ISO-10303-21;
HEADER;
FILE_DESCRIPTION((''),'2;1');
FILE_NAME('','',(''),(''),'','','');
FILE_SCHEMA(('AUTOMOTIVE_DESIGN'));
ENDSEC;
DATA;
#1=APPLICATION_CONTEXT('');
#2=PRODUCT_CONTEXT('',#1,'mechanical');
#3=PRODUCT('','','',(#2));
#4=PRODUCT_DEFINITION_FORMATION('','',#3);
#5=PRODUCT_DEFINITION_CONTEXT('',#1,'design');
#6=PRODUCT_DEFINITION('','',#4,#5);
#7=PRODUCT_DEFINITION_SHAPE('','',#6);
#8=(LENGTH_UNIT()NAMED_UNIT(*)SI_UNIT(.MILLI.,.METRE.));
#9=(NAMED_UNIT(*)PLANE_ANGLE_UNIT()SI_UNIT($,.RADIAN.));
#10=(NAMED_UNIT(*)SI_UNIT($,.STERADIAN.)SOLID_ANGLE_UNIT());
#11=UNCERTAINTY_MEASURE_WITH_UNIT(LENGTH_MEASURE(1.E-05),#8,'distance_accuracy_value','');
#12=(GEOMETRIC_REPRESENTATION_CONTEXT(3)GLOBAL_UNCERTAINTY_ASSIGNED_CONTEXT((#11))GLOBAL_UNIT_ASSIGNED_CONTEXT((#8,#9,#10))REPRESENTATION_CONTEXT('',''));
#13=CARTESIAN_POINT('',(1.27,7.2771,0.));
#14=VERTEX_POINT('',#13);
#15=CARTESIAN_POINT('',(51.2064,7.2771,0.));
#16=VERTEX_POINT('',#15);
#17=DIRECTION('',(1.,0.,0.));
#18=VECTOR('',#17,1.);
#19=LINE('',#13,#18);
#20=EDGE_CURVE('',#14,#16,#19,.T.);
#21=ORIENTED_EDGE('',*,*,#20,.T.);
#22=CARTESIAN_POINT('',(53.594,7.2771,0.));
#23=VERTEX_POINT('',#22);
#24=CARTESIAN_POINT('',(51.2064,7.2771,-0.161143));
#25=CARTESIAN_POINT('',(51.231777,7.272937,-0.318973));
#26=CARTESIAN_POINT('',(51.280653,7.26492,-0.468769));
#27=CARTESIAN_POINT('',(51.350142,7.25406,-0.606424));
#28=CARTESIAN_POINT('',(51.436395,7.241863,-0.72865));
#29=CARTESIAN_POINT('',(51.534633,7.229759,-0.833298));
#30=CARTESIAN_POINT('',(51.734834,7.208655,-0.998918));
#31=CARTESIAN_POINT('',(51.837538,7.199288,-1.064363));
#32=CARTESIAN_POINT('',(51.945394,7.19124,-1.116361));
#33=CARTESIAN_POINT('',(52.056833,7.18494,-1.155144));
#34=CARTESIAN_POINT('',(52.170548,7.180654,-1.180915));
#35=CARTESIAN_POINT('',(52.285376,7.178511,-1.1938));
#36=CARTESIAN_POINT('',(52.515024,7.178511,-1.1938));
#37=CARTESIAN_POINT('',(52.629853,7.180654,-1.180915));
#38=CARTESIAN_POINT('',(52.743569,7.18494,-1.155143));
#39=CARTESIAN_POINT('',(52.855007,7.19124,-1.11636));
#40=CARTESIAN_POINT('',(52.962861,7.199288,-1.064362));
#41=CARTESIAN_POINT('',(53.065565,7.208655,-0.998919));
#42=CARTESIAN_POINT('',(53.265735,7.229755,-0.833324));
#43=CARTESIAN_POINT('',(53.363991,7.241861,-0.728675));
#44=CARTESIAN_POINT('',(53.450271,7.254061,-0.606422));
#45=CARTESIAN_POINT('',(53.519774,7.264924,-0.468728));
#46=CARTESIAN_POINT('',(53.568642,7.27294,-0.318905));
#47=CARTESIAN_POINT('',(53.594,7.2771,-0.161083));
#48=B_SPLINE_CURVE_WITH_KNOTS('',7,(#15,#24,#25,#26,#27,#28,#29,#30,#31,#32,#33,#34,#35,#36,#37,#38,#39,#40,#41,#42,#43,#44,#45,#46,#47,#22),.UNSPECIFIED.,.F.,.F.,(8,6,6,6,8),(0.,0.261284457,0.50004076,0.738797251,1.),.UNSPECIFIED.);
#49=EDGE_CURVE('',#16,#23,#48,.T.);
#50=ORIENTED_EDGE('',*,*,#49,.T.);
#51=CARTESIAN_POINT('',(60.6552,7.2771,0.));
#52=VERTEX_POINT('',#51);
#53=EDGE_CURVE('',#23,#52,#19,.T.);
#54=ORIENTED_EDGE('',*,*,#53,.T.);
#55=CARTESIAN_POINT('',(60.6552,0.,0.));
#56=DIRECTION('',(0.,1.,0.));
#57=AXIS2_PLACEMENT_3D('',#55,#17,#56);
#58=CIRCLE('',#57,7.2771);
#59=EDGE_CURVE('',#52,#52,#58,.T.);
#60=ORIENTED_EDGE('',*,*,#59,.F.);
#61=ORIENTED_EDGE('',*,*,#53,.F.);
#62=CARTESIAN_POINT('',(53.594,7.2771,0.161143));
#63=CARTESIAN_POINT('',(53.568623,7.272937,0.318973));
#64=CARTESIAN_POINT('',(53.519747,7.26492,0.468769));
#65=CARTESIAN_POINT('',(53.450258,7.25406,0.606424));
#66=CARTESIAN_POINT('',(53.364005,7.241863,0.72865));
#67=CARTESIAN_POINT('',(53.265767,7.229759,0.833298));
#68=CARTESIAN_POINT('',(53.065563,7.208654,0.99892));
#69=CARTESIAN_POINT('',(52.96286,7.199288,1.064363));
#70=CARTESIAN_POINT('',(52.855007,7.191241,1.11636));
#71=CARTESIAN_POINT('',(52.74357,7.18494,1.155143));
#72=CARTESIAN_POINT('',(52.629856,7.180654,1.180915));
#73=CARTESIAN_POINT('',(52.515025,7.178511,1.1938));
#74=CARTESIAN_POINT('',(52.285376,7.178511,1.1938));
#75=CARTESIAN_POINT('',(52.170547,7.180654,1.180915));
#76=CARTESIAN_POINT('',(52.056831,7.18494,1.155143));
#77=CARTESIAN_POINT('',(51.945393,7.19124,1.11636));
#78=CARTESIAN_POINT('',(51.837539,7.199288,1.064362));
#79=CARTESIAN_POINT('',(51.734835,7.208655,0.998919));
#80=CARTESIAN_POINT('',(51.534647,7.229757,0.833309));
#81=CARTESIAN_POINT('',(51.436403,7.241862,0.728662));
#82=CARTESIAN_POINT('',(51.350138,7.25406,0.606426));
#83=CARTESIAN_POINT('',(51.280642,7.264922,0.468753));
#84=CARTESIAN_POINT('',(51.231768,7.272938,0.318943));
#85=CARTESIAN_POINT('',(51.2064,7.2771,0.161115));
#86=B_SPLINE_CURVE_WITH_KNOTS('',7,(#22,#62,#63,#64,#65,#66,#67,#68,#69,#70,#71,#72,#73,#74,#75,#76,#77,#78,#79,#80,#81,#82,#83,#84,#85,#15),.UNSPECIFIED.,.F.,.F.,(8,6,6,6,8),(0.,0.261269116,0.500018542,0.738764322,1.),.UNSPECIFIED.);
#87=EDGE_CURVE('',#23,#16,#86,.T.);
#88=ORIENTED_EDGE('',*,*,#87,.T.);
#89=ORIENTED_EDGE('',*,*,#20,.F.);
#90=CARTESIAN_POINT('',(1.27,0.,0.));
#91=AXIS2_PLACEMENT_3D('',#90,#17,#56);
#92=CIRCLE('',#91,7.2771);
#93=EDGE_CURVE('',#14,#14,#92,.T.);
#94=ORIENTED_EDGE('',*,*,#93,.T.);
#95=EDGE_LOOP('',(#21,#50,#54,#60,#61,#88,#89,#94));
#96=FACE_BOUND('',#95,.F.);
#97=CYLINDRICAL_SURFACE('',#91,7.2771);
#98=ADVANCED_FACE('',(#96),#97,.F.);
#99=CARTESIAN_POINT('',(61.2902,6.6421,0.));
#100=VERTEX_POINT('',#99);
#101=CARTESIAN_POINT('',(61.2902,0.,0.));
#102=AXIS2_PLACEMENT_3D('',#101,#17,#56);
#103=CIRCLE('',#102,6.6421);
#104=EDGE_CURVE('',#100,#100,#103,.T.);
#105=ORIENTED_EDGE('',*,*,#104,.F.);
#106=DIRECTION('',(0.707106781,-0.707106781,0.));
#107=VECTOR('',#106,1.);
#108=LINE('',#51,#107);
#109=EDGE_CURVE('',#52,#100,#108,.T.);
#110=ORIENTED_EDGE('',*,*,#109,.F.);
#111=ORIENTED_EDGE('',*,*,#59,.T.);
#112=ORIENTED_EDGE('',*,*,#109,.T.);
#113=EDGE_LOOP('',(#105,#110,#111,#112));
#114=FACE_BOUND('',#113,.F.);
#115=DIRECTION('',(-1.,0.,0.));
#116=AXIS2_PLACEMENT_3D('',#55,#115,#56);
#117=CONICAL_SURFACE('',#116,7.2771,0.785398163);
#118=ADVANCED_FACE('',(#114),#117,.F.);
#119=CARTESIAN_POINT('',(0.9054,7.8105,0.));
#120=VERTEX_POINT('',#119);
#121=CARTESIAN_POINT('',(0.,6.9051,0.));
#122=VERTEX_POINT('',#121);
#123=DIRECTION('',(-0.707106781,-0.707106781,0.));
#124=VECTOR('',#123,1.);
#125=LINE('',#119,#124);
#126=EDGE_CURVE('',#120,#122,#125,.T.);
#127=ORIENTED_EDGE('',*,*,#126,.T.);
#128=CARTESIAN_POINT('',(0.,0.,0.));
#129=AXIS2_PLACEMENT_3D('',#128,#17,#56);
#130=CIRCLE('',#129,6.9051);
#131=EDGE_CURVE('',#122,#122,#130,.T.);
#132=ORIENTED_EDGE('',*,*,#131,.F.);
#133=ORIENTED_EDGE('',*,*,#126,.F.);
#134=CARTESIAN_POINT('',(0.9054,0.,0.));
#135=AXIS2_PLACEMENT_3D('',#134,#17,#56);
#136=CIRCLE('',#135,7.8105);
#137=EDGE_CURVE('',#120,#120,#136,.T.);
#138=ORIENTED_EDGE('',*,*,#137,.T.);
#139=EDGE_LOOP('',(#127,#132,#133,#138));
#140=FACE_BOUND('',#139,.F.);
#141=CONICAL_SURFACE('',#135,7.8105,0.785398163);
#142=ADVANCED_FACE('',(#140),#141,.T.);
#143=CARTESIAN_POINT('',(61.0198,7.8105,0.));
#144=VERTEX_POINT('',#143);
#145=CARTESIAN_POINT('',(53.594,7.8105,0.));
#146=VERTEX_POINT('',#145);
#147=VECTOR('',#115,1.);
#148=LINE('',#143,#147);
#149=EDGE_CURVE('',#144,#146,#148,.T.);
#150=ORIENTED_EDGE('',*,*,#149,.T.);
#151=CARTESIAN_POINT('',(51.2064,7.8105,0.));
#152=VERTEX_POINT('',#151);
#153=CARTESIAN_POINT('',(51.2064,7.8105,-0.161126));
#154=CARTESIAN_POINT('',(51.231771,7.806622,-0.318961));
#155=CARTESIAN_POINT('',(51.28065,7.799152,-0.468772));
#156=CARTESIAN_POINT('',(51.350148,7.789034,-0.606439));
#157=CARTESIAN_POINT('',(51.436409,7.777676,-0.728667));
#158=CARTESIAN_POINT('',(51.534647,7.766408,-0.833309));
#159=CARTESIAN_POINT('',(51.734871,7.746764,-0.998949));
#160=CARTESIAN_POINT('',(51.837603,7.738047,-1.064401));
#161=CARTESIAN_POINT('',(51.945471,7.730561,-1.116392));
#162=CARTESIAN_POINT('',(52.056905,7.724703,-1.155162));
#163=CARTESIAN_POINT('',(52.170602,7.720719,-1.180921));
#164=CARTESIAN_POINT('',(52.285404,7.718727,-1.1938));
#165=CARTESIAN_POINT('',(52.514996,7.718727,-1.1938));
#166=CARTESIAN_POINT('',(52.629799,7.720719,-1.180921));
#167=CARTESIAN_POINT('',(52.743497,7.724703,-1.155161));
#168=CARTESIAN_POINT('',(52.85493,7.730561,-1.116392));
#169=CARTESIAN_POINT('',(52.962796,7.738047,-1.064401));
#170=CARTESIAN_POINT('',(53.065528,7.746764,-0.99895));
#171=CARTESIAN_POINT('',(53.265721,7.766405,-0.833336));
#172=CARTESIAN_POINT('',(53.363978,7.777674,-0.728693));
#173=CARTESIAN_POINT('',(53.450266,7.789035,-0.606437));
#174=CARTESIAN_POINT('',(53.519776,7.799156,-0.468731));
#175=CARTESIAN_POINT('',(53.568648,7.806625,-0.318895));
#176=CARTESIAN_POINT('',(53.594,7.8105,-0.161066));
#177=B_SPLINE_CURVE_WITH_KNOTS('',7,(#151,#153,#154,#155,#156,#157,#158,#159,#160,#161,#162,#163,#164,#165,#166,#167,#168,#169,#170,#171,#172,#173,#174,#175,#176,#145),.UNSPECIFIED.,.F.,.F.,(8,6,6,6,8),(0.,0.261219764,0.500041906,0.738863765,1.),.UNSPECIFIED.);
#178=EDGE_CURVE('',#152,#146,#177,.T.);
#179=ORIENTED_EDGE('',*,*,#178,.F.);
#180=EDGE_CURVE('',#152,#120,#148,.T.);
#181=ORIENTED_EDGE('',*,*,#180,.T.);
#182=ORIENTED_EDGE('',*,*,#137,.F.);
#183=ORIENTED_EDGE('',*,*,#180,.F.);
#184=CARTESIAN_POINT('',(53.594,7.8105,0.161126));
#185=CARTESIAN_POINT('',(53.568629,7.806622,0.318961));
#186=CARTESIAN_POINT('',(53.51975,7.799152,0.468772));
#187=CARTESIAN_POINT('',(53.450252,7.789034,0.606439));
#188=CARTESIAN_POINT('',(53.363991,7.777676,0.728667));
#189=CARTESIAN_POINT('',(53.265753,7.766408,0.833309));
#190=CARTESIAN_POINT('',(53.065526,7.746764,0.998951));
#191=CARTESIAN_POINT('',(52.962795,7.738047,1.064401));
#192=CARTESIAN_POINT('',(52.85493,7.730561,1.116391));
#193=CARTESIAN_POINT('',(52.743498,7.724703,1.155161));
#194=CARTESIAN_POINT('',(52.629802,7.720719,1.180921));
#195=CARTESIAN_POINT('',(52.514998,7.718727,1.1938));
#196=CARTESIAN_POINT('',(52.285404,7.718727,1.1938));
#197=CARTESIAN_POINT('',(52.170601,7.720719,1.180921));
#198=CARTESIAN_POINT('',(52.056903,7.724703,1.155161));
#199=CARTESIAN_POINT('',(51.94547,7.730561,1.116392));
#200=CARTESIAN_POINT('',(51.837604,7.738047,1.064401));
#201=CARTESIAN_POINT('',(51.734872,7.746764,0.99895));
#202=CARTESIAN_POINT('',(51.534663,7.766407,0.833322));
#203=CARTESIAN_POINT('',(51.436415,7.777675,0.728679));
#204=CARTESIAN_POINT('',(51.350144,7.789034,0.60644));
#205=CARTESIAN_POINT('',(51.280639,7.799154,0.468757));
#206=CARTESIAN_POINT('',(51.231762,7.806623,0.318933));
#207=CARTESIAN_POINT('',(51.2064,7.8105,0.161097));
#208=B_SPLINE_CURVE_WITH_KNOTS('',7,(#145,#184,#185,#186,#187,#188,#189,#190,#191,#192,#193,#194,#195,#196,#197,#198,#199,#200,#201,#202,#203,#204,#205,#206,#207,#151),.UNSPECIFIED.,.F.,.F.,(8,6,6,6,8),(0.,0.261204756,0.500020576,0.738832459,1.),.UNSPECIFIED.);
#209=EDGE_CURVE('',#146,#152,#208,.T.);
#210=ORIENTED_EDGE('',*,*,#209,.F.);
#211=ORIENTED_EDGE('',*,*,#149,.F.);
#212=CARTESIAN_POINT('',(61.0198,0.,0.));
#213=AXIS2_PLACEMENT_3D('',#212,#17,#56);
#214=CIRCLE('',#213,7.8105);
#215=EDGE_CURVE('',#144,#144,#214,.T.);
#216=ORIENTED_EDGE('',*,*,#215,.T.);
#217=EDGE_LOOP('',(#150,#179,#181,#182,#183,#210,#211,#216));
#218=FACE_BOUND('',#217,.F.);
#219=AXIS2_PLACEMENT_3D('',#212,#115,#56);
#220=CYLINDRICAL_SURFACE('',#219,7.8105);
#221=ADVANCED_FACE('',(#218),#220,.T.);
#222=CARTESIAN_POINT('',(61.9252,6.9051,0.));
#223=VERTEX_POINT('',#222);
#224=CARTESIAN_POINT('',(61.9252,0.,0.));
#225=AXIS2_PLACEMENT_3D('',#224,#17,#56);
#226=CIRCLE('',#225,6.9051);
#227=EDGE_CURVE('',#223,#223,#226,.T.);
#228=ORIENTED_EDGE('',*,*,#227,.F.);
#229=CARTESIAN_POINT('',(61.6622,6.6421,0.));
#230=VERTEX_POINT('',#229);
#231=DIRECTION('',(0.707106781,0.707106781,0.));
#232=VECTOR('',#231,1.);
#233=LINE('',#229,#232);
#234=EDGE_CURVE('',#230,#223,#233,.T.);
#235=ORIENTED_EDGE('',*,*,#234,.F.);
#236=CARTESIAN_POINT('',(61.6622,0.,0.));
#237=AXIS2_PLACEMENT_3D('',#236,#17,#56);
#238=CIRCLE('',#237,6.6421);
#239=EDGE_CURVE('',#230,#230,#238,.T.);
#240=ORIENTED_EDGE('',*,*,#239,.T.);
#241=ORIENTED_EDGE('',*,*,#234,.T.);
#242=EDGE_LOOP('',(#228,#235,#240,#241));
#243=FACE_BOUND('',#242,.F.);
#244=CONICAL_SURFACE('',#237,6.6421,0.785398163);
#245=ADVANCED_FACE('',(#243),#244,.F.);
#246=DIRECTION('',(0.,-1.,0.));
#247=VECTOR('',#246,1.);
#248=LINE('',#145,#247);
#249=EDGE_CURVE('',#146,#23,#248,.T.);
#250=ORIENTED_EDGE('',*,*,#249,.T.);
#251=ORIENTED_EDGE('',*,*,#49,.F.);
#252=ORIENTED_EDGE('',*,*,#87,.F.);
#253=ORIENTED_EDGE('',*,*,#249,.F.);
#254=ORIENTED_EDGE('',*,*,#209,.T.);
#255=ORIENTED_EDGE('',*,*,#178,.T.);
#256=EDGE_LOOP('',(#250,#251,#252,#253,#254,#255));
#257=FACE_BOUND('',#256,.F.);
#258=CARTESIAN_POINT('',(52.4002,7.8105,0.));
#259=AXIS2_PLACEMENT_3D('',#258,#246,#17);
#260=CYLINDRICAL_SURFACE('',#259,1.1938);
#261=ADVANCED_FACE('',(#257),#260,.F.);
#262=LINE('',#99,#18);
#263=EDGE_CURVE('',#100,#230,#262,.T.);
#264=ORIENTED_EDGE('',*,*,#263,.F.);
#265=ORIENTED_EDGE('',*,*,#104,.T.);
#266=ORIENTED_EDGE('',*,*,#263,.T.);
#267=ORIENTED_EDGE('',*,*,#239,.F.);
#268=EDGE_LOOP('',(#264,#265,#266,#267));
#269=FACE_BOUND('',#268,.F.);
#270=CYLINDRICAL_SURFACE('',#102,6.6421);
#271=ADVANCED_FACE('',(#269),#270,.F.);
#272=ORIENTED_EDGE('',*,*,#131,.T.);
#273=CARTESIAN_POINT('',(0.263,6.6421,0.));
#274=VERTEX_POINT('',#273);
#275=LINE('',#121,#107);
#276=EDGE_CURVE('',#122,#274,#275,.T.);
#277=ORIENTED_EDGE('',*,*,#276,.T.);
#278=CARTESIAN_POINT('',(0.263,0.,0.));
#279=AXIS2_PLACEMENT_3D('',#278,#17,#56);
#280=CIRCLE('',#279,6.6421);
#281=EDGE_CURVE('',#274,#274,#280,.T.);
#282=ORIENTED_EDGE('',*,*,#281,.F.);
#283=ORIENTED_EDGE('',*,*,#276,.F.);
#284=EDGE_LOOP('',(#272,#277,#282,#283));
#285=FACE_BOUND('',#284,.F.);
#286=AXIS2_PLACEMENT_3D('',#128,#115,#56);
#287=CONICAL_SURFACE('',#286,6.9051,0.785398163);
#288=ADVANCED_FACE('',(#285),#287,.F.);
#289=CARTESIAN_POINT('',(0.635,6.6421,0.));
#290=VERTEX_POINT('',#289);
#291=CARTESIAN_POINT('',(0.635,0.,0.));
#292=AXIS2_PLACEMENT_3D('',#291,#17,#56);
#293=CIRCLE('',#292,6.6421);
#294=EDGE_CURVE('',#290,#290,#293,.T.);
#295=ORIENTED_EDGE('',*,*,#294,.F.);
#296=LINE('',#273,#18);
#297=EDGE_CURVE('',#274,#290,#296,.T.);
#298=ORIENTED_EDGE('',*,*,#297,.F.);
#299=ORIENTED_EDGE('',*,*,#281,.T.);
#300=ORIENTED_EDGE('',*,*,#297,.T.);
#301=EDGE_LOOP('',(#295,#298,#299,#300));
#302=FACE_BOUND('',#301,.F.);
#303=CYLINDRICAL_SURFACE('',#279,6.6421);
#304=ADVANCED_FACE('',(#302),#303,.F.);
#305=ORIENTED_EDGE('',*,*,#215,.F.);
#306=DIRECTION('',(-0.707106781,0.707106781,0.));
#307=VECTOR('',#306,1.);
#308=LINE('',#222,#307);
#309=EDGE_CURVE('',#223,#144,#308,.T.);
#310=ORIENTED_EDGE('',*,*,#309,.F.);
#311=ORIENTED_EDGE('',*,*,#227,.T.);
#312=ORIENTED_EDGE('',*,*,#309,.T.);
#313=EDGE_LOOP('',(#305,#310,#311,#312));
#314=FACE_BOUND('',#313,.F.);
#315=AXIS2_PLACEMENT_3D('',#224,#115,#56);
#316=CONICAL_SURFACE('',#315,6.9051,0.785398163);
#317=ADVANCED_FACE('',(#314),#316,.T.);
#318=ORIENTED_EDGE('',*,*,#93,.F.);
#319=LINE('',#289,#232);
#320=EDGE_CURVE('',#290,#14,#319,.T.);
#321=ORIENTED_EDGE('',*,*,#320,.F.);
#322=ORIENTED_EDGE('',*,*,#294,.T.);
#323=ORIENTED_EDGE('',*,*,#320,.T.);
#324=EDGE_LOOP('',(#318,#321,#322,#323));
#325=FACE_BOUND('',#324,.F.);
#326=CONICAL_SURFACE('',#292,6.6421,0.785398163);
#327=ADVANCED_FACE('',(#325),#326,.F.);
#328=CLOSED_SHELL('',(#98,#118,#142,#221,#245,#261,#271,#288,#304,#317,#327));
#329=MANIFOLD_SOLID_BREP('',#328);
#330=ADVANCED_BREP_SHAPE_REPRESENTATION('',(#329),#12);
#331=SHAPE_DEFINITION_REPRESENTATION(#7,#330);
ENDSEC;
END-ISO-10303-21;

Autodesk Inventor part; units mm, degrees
sketch "Sketch_5" plane through (0, 0, 0) normal (0, 0, 1) x (1, 0, 0)
  line L0 (61.9252, 0) -> (-61.9252, 0)
  line L1 (0, 6.9051) -> (0.263, 6.6421)
  line L2 (0.263, 6.6421) -> (0.635, 6.6421)
  line L3 (0.635, 6.6421) -> (1.27, 7.2771)
  line L4 (1.27, 7.2771) -> (60.6552, 7.2771)
  line L5 (60.6552, 7.2771) -> (61.2902, 6.6421)
  line L6 (61.2902, 6.6421) -> (61.6622, 6.6421)
  line L7 (61.6622, 6.6421) -> (61.9252, 6.9051)
  line L8 (61.9252, 6.9051) -> (61.0198, 7.8105)
  line L9 (61.0198, 7.8105) -> (0.9054, 7.8105)
  line L10 (0.9054, 7.8105) -> (0, 6.9051)
revolve "Revolution1" add sketch "Sketch_5" angle 360 about axis through (61.9252, 0, 0) along (1, 0, 0)
sketch "Sketch_1" plane through (0, 0, 0) normal (0, 0, 1) x (1, 0, 0)
  line L0 (52.4002, 0) -> (52.4002, 7.8105)
  line L1 (52.4002, 7.8105) -> (53.594, 7.8105)
  line L2 (53.594, 7.8105) -> (53.594, 0)
  line L3 (53.594, 0) -> (52.4002, 0)
  line L4 (52.4002, 0) -> (52.4002, 7.8105)
revolve "Revolution2" cut sketch "Sketch_1" angle 360 about axis through (52.4002, 0, 0) along (0, -1, 0)
ref_plane "o1_XY" through (0, -7.8105, 0) normal (1, 0, 0) x (0, 0, -1)
ref_plane "o1_YZ" through (0, -7.8105, 0) normal (0, 0, -1) x (0, 1, 0)
ref_plane "o1_ZX" through (0, -7.8105, 0) normal (0, 1, 0) x (1, 0, 0)
ref_plane "o2_XY" through (0, 7.8105, 0) normal (1, 0, 0) x (0, 0, -1)
ref_plane "o2_YZ" through (0, 7.8105, 0) normal (0, 0, -1) x (0, 1, 0)
ref_plane "o2_ZX" through (0, 7.8105, 0) normal (0, 1, 0) x (1, 0, 0)
ref_plane "t1_XY" through (30.9626, 7.8105, 0) normal (1, 0, 0) x (0, 0, -1)
ref_plane "t1_YZ" through (30.9626, 7.8105, 0) normal (0, 0, -1) x (0, 1, 0)
ref_plane "t1_ZX" through (30.9626, 7.8105, 0) normal (0, 1, 0) x (1, 0, 0)
ref_plane "t2_XY" through (30.9626, 0, -7.8105) normal (1, 0, 0) x (0, 0, -1)
ref_plane "t2_YZ" through (30.9626, 0, -7.8105) normal (0, 0, -1) x (0, 1, 0)
ref_plane "t2_ZX" through (30.9626, 0, -7.8105) normal (0, 1, 0) x (1, 0, 0)
ref_plane "t3_XY" through (30.9626, -7.8105, 0) normal (1, 0, 0) x (0, 0, -1)
ref_plane "t3_YZ" through (30.9626, -7.8105, 0) normal (0, 0, -1) x (0, 1, 0)
ref_plane "t3_ZX" through (30.9626, -7.8105, 0) normal (0, 1, 0) x (1, 0, 0)
ref_plane "t4_XY" through (30.9626, 0, 7.8105) normal (1, 0, 0) x (0, 0, -1)
ref_plane "t4_YZ" through (30.9626, 0, 7.8105) normal (0, 0, -1) x (0, 1, 0)
ref_plane "t4_ZX" through (30.9626, 0, 7.8105) normal (0, 1, 0) x (1, 0, 0)
ref_plane "tube1_XY" through (1.27, 0, 0) normal (1, 0, 0) x (0, 0, -1)
ref_plane "tube1_YZ" through (1.27, 0, 0) normal (0, 0, -1) x (0, 1, 0)
ref_plane "tube1_ZX" through (1.27, 0, 0) normal (0, 1, 0) x (1, 0, 0)
ref_plane "tube2_XY" through (60.6552, 0, 0) normal (1, 0, 0) x (0, 0, -1)
ref_plane "tube2_YZ" through (60.6552, 0, 0) normal (0, 0, -1) x (0, 1, 0)
ref_plane "tube2_ZX" through (60.6552, 0, 0) normal (0, 1, 0) x (1, 0, 0)
properties part number "D-75938XP-2.438"
